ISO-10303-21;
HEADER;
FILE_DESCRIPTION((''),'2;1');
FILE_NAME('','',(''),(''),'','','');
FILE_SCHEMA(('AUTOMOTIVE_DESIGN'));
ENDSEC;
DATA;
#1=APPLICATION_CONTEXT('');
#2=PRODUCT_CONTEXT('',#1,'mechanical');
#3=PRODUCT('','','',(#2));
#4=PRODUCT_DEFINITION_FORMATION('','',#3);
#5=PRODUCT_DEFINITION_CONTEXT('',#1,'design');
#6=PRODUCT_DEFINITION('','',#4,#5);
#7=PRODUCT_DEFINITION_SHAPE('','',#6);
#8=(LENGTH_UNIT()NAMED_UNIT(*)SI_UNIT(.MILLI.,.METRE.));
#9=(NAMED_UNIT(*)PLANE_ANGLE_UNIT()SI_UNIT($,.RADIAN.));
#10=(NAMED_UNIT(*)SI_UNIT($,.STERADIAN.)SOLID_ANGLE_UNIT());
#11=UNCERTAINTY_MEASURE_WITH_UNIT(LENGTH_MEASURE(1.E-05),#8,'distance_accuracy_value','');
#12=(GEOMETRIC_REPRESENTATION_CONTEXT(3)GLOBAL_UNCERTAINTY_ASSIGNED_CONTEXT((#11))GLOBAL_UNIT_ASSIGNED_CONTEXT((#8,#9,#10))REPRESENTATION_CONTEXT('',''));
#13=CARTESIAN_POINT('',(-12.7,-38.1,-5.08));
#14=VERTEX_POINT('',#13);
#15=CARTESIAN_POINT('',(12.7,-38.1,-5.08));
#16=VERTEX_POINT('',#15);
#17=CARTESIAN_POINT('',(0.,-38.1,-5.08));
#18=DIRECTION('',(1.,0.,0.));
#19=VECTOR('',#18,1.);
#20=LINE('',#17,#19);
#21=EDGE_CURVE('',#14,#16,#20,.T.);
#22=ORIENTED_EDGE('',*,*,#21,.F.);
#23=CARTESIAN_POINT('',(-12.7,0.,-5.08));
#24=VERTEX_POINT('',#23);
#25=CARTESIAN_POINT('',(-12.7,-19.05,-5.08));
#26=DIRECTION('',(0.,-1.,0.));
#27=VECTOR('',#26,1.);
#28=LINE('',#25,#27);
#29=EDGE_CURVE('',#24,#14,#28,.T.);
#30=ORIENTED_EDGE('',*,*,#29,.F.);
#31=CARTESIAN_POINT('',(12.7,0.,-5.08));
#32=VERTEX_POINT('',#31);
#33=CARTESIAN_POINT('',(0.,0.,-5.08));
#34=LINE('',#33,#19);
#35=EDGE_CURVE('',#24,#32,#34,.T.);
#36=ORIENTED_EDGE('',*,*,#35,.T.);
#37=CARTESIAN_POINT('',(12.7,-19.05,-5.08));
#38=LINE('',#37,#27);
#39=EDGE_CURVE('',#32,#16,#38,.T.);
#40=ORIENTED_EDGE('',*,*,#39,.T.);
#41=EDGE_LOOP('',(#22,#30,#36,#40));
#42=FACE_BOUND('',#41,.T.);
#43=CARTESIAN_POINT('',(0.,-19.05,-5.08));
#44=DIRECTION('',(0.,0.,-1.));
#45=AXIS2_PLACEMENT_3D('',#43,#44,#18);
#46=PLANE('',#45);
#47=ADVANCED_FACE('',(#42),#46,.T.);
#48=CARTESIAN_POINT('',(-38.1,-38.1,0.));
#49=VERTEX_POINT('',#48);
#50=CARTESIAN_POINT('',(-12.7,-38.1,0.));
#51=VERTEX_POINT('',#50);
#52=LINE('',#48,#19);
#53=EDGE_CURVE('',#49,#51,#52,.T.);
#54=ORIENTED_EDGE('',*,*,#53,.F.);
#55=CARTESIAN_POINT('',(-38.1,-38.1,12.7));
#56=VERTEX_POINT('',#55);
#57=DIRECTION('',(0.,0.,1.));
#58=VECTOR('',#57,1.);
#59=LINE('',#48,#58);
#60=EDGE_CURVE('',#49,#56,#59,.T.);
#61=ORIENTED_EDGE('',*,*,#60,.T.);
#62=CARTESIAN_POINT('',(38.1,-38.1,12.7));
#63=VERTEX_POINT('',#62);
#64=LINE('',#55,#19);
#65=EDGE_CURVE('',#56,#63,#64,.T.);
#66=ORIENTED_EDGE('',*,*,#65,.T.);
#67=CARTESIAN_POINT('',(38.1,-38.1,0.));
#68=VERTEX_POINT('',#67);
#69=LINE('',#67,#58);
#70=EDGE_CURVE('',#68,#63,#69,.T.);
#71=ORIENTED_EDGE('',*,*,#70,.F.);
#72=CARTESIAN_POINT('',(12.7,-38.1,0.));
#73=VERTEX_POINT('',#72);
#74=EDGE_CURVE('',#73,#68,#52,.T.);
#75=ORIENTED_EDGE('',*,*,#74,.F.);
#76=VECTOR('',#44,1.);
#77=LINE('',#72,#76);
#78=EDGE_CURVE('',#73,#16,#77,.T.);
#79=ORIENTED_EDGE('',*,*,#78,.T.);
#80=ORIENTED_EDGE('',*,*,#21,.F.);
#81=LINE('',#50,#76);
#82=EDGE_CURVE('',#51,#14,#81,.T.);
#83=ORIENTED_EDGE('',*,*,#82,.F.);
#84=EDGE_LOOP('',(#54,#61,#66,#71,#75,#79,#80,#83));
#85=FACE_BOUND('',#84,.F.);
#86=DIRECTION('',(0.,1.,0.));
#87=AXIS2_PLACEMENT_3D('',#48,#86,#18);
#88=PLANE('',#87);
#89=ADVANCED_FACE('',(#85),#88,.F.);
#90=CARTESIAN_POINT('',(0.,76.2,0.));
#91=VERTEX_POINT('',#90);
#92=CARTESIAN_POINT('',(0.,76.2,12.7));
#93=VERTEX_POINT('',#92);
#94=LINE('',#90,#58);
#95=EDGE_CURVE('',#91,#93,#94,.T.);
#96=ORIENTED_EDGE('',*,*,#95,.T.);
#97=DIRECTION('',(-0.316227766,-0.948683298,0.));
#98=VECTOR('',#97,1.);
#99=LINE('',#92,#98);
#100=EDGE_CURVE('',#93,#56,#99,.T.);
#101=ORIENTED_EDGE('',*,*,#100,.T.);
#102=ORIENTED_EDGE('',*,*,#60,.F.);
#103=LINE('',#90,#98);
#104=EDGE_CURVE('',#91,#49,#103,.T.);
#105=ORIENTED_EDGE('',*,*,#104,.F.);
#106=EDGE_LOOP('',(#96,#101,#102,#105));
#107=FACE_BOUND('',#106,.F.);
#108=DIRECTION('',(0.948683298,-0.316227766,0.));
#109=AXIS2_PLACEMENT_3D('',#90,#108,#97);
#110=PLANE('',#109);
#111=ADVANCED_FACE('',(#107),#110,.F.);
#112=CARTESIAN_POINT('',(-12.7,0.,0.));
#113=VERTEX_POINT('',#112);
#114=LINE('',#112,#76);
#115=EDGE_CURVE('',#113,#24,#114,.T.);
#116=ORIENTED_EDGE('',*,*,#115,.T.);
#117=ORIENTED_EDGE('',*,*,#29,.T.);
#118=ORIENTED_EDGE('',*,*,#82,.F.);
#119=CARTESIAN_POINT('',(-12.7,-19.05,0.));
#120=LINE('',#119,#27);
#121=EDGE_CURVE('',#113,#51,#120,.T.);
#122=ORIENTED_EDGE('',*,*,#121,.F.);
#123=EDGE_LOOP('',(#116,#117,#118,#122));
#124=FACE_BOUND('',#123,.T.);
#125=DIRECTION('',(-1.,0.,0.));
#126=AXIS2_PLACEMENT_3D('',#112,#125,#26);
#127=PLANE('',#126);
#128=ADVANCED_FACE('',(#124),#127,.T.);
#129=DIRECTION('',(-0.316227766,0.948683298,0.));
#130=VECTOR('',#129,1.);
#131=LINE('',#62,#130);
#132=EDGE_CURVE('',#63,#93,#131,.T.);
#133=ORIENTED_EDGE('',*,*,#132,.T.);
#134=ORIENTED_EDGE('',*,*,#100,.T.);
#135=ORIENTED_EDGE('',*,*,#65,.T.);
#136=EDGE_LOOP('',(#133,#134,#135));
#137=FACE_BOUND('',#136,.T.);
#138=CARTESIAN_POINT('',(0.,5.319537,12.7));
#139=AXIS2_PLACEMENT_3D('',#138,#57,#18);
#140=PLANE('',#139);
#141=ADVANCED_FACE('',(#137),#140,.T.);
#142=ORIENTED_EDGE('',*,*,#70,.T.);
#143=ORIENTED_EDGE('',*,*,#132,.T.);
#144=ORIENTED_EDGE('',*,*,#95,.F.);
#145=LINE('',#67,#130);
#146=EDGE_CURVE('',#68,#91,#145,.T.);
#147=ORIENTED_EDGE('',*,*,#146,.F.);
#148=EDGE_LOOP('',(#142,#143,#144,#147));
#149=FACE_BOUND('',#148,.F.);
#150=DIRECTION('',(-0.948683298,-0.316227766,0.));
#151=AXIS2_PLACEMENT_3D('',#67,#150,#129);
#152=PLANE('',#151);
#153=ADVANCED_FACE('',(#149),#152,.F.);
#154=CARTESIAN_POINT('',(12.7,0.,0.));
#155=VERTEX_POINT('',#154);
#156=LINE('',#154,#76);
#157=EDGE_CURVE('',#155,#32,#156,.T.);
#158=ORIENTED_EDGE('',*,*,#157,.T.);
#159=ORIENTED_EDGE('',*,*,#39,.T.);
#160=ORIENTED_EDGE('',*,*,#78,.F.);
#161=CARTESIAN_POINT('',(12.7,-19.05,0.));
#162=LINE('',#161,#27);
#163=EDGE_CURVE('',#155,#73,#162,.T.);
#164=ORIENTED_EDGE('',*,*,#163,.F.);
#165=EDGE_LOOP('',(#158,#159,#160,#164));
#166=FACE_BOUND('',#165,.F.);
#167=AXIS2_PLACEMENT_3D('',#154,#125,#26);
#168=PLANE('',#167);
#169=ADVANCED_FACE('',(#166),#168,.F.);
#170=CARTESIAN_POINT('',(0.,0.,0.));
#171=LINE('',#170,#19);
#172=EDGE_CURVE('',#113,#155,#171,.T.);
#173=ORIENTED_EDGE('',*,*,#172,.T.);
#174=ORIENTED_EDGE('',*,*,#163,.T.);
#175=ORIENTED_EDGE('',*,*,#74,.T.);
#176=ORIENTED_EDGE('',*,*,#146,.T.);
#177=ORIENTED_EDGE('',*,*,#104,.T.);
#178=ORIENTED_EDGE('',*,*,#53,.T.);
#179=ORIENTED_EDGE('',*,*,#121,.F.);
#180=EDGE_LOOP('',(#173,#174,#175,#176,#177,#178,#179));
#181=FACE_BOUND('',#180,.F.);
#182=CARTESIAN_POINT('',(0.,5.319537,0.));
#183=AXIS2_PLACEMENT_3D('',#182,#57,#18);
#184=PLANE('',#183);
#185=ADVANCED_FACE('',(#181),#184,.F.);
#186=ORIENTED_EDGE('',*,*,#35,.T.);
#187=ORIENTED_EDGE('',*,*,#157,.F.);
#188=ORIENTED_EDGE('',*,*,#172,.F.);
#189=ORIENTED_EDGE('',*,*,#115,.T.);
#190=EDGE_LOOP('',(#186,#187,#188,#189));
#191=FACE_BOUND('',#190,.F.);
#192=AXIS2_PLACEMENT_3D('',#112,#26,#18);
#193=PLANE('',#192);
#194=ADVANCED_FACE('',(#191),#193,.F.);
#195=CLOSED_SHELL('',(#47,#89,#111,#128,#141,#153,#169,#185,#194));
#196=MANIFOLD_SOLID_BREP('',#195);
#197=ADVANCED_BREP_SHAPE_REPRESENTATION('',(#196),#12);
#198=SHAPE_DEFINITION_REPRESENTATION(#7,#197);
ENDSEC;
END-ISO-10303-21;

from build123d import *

# Parameters (mm, degrees)
F1_DEPTH = 12.7
F2_W     = 25.4
F2_H     = 38.1
F3_DEPTH = 5.08


with BuildPart() as f1:
    # F0 (on Top) → F1 (new body)
    with BuildSketch(Plane.XY):
        Polygon((0, 76.2), (-38.1, -38.1), (38.1, -38.1), align=None)
    extrude(amount=F1_DEPTH)

    # F2 (on face) → F3 (join)
    with BuildSketch(Plane(origin=(0, 0, 0), x_dir=(1, 0, 0), z_dir=(0, 0, -1))):
        with Locations((0, 19.05)):
            Rectangle(F2_W, F2_H)
    extrude(amount=F3_DEPTH)


solid = f1.part
